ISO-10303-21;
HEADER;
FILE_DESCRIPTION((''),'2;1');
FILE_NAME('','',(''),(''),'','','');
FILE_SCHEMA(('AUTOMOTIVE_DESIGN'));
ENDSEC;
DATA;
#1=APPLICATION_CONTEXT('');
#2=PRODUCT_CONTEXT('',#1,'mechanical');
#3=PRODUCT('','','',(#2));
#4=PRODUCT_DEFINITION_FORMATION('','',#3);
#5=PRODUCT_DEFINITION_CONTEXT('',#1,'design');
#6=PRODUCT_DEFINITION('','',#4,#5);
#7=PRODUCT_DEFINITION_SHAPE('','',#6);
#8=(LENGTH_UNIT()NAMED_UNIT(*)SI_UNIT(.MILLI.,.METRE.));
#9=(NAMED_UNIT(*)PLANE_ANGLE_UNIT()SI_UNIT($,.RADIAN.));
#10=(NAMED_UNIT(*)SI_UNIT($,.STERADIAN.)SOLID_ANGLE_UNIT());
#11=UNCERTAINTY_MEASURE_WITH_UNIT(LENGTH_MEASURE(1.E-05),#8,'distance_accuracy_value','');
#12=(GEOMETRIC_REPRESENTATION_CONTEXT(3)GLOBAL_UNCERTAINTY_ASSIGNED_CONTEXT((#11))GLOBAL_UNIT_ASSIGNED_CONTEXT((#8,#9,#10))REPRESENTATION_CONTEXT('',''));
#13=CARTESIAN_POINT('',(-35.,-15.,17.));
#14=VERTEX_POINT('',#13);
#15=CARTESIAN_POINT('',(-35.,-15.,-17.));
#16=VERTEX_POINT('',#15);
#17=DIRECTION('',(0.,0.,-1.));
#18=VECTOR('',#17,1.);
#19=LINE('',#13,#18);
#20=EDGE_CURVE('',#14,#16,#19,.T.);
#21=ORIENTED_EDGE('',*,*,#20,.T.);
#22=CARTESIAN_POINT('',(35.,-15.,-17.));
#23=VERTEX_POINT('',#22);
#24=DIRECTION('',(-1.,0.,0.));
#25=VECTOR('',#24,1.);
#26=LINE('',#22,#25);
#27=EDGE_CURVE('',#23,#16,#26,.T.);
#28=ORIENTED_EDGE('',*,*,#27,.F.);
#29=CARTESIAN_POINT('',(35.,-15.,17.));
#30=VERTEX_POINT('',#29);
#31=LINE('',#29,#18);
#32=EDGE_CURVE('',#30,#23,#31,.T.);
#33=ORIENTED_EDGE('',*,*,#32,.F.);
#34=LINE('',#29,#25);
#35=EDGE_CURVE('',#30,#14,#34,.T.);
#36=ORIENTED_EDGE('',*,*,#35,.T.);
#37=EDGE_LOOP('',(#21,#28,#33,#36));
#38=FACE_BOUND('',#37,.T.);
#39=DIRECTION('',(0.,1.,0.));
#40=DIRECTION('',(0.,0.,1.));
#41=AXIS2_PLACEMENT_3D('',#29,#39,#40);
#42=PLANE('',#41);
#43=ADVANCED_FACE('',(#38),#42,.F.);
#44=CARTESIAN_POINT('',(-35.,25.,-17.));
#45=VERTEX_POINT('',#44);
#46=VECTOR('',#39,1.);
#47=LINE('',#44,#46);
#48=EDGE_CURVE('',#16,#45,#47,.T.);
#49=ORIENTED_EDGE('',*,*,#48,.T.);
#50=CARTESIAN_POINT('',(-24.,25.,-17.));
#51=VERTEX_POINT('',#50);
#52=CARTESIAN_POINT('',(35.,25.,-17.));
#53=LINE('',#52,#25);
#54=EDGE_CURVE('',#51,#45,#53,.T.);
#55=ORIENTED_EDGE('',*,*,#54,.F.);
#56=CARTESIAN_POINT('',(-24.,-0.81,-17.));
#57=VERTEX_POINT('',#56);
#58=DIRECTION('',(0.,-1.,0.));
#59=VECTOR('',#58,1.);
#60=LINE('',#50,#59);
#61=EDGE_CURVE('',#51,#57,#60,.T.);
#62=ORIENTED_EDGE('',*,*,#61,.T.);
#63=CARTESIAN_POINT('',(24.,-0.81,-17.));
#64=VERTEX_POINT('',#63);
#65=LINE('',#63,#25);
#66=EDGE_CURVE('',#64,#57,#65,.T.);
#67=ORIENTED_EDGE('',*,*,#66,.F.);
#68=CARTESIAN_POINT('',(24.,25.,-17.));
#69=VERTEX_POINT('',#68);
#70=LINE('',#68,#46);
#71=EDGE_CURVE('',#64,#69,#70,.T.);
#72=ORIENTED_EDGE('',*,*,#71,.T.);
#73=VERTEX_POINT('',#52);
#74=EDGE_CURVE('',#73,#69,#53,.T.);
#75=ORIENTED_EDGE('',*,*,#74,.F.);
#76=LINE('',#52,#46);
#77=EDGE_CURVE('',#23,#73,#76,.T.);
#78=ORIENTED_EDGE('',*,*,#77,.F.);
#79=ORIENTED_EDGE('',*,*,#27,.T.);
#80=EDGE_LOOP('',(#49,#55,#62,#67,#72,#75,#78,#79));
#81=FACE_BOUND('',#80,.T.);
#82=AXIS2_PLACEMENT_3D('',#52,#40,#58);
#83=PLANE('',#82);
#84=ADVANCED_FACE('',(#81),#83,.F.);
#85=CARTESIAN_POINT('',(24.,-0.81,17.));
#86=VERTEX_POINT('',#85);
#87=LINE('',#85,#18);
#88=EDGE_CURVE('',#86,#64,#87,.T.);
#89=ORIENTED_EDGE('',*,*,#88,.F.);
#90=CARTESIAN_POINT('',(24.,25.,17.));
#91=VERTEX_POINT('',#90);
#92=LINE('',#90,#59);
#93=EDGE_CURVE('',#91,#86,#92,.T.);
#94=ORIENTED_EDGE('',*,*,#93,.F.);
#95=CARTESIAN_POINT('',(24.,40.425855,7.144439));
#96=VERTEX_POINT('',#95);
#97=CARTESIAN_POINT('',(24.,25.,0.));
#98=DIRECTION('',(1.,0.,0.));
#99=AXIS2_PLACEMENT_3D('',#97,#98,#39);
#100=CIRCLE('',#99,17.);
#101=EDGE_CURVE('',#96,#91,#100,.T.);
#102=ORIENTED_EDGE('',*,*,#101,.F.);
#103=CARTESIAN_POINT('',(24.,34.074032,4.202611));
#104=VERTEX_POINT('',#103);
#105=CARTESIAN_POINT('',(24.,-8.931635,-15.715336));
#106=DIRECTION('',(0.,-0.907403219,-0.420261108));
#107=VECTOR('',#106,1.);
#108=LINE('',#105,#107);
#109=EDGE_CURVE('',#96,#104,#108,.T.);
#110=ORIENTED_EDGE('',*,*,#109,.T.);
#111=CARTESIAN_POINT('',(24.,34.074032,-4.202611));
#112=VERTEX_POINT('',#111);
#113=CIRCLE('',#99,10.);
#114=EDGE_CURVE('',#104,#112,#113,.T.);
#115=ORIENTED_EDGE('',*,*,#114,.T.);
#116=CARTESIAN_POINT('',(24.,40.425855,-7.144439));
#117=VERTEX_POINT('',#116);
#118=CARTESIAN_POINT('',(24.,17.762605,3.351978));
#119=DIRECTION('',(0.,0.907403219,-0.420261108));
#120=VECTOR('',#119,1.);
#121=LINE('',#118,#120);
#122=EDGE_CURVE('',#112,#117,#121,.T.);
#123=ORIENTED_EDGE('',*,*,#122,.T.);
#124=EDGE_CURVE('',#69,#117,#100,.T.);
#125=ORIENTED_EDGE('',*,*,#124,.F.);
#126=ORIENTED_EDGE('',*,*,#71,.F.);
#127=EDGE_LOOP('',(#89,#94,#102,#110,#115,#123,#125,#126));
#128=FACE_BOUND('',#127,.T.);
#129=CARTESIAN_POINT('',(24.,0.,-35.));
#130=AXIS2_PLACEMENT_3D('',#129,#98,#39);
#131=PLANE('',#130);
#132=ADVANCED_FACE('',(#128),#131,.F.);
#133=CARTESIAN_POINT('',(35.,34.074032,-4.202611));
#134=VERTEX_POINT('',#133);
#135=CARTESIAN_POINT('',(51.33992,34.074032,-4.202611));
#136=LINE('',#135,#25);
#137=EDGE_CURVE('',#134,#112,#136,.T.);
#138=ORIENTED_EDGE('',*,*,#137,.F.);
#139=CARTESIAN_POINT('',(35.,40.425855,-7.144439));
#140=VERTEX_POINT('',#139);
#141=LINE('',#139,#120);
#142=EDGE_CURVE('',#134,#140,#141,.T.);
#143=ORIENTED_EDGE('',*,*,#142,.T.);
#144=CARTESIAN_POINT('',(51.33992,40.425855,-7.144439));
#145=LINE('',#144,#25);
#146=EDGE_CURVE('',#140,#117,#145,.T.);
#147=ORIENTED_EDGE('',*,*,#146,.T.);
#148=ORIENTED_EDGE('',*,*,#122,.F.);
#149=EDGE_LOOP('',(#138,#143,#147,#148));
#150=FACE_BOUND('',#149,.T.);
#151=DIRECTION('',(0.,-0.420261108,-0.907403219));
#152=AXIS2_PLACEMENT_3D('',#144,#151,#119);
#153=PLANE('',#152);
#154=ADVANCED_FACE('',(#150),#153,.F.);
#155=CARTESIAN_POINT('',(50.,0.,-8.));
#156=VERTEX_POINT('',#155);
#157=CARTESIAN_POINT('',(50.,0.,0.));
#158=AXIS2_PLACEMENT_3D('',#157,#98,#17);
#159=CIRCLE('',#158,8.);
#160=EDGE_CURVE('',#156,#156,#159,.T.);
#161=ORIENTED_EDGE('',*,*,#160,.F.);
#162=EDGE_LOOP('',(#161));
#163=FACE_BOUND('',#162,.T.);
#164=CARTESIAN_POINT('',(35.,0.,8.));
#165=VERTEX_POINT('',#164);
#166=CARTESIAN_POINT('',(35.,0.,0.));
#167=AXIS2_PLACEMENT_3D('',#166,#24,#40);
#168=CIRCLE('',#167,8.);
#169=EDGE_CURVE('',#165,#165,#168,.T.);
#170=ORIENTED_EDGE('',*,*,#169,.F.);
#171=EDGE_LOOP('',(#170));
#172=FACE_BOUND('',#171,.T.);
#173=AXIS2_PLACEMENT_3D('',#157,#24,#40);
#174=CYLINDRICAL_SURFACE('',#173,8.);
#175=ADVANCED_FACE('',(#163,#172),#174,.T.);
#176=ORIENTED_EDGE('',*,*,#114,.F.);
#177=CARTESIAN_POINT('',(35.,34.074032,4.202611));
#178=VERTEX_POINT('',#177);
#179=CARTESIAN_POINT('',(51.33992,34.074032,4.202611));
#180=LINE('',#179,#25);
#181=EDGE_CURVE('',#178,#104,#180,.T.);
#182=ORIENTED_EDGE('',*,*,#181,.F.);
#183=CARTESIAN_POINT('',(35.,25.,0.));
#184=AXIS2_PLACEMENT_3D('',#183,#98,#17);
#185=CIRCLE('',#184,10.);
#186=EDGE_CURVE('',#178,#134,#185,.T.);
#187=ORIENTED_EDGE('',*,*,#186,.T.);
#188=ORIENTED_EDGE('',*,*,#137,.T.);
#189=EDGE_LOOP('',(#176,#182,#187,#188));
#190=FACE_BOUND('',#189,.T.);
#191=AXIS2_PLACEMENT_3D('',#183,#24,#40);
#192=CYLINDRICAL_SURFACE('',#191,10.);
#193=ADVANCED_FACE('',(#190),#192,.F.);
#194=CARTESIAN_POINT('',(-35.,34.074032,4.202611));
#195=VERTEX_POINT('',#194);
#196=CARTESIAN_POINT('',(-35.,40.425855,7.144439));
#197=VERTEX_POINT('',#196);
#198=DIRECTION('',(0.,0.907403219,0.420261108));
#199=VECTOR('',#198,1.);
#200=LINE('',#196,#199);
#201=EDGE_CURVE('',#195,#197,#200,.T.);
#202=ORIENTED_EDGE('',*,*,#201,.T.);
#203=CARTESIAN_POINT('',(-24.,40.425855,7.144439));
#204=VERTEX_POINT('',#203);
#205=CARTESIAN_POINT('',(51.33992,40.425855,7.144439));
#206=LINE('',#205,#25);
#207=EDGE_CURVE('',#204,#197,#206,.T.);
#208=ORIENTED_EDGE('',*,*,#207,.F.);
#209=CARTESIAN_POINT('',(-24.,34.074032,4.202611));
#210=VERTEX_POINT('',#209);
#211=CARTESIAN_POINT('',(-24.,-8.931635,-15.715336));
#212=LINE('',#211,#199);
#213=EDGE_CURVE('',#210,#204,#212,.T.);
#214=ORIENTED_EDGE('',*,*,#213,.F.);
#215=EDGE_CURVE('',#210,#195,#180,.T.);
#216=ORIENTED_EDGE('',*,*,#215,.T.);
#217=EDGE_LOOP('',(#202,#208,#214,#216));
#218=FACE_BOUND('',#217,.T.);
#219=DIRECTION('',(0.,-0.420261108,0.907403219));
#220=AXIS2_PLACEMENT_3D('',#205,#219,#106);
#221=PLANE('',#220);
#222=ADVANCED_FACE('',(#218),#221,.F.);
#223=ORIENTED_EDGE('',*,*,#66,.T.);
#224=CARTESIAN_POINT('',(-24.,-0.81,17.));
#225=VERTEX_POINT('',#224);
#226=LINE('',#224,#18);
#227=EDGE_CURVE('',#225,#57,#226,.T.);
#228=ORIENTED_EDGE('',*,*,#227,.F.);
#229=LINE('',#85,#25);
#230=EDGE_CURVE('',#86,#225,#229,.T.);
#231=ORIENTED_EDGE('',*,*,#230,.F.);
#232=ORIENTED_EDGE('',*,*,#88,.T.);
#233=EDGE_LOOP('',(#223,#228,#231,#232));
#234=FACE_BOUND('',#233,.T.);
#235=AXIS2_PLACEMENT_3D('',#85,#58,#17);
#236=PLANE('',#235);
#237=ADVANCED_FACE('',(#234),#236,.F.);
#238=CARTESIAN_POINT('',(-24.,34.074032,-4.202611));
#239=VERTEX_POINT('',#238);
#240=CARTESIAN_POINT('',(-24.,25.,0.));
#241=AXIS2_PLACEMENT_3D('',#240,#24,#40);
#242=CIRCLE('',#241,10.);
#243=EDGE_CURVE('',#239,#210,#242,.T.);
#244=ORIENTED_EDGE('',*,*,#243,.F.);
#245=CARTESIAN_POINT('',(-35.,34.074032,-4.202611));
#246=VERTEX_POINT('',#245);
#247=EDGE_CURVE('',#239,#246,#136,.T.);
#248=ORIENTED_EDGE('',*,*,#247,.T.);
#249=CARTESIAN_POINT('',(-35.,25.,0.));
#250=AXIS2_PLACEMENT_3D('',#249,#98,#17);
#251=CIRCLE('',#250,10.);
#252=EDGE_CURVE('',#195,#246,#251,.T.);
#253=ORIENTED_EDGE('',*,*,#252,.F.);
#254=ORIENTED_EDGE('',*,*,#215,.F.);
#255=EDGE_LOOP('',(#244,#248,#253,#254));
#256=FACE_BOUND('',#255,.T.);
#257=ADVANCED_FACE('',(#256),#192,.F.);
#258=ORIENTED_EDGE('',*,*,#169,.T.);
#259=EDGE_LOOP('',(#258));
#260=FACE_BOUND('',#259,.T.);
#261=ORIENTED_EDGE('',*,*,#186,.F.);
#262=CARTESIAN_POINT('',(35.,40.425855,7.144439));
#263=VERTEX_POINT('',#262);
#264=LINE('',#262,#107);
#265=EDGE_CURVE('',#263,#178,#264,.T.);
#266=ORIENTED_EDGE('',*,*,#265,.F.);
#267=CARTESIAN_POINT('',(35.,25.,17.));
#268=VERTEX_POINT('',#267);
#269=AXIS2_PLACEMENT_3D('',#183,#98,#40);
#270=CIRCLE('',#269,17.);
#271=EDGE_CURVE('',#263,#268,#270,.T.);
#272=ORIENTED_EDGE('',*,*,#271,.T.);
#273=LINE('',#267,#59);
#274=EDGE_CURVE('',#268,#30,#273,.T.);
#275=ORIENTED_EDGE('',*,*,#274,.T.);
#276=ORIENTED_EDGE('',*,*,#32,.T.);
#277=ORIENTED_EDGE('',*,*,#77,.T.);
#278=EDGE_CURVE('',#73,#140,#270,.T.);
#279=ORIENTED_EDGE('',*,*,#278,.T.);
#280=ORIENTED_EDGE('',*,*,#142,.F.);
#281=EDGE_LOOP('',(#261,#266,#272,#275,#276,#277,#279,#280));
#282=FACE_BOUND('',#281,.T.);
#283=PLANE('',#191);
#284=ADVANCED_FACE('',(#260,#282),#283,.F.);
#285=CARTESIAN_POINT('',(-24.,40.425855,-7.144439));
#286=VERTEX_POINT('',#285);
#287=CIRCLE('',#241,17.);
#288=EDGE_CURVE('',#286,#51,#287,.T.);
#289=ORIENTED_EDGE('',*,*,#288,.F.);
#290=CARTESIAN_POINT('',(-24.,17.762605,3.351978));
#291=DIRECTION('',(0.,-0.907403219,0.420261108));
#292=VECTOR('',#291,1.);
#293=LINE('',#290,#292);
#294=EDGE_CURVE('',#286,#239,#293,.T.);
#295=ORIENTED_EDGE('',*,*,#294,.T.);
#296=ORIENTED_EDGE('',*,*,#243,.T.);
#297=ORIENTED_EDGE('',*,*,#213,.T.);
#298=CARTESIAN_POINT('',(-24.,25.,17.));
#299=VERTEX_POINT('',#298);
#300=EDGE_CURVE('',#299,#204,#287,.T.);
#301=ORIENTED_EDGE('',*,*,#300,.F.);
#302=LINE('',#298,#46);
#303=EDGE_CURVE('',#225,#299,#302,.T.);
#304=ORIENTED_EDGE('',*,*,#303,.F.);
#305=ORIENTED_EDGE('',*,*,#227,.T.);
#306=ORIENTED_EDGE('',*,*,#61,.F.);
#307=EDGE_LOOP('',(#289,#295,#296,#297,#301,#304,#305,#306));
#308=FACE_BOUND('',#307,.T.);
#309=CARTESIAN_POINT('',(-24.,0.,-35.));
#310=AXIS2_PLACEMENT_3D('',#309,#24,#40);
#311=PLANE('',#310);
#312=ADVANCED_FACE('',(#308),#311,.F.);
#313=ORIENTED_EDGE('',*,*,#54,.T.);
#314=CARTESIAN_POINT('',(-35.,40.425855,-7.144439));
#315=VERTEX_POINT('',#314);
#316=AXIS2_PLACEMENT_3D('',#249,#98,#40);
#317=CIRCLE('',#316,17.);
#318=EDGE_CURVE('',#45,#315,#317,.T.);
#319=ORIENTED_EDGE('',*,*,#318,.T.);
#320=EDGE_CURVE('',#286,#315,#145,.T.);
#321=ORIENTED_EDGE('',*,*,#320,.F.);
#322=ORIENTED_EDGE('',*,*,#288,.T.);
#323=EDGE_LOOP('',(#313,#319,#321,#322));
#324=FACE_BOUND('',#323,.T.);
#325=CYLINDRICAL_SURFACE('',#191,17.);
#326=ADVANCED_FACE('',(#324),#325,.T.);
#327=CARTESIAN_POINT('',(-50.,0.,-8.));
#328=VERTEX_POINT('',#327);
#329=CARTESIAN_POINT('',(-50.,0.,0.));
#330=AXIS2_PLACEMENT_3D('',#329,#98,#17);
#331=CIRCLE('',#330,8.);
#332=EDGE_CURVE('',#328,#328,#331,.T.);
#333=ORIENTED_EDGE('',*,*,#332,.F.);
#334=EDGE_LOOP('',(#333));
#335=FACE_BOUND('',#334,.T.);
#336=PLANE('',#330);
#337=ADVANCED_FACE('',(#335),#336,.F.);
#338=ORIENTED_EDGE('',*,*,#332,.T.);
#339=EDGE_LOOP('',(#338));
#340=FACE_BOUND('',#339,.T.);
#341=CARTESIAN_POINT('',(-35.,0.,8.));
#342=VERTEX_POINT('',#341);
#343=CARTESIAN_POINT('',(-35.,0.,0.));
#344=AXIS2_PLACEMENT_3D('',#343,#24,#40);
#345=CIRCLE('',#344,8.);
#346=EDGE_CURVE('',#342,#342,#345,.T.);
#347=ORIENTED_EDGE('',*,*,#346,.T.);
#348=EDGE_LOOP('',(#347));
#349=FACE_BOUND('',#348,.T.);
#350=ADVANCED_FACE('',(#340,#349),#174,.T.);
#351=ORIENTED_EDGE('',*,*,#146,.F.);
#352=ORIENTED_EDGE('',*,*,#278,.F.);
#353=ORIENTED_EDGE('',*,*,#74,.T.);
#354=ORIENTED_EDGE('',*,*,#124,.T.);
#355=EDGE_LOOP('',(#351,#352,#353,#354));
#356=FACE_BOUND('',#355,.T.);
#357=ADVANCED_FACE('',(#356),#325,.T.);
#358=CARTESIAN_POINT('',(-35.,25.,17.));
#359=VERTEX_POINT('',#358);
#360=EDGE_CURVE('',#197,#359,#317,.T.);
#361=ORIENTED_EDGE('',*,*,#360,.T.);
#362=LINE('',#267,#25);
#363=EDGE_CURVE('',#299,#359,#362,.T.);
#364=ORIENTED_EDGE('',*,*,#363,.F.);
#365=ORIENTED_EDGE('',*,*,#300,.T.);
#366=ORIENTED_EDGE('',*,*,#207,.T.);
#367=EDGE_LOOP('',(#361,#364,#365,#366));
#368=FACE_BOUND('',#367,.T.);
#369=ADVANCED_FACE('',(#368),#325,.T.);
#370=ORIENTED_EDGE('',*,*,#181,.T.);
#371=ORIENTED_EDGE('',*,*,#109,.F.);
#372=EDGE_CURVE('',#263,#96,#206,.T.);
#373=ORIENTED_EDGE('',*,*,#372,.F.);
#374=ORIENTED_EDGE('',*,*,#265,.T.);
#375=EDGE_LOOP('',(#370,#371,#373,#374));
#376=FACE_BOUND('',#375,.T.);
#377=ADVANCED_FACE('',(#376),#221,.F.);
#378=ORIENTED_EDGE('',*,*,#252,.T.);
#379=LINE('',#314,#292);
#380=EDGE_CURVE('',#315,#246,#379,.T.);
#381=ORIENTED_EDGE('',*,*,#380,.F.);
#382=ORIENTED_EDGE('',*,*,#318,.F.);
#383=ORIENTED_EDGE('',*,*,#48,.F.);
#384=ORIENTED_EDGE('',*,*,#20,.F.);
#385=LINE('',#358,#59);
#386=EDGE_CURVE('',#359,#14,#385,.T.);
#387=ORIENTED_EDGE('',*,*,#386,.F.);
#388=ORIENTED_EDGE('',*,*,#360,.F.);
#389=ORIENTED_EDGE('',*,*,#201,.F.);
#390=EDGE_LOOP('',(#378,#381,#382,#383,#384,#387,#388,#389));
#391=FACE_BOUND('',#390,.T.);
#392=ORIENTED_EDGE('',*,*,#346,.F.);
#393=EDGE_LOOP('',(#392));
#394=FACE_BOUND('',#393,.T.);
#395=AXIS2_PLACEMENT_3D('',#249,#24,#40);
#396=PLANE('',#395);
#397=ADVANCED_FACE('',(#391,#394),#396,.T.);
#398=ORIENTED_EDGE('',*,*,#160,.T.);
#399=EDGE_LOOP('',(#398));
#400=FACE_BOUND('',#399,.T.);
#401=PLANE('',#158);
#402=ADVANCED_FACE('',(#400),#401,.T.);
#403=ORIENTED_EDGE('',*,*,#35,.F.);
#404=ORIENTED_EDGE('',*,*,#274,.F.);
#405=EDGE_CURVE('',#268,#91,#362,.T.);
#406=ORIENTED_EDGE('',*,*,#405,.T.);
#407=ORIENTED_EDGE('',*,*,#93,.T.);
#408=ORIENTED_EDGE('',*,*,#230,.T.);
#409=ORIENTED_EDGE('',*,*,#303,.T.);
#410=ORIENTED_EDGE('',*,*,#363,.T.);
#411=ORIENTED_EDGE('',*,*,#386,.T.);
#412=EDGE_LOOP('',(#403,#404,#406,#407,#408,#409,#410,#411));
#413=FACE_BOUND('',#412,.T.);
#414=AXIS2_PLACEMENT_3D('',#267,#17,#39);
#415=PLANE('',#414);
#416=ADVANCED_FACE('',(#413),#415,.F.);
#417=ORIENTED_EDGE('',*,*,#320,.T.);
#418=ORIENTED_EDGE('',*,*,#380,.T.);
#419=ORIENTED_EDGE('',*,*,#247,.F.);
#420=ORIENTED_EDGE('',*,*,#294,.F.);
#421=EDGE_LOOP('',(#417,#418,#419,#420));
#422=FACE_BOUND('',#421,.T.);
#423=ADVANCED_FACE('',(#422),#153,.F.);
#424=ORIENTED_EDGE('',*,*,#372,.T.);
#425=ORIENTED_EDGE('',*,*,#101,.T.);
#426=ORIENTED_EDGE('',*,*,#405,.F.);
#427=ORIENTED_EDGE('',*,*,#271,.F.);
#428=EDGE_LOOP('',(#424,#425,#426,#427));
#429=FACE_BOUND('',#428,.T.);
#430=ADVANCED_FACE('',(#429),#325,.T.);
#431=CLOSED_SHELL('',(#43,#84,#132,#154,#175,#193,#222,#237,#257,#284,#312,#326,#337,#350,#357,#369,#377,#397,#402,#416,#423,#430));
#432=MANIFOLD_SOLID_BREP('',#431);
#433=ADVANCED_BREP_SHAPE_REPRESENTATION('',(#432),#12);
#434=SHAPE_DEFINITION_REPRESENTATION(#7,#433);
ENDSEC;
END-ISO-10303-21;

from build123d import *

# Parameters (mm, degrees)
SKETCH1_R           = 8
BOSS_EXTRUDE1_DEPTH = 50
SKETCH2_R           = 10
BOSS_EXTRUDE2_DEPTH = 35
SKETCH3_W           = 48
SKETCH3_H           = 42
CUT_EXTRUDE1_DEPTH  = 35
SKETCH4_W           = 48
SKETCH4_H           = 0.81
CUT_EXTRUDE2_DEPTH  = 74.620649277
CUT_EXTRUDE3_REACH  = 98.322


with BuildPart() as part:
    # Sketch1 → Boss-Extrude1 (new, symmetric)
    with BuildSketch(Plane(origin=(0, 0, 0), x_dir=(0, 0, -1), z_dir=(1, 0, 0))):
        Circle(SKETCH1_R)
    extrude(amount=BOSS_EXTRUDE1_DEPTH, both=True)

    # Sketch2 → Boss-Extrude2 (add, symmetric)
    with BuildSketch(Plane(origin=(0, 0, 0), x_dir=(0, 0, -1), z_dir=(1, 0, 0))):
        with BuildLine():
            Line((-17, 25), (-17, -15))
            Line((-17, -15), (17, -15))
            Line((17, -15), (17, 25))
            ThreePointArc((17, 25), (0, 42), (-17, 25))
        make_face()
        with Locations((0, 25)):
            Circle(SKETCH2_R, mode=Mode.SUBTRACT)
    extrude(amount=BOSS_EXTRUDE2_DEPTH, both=True)

    # Sketch3 → Cut-Extrude1 (cut, symmetric)
    with BuildSketch(Plane.XY):
        with Locations((0, 21)):
            Rectangle(SKETCH3_W, SKETCH3_H)
    extrude(amount=CUT_EXTRUDE1_DEPTH, both=True, mode=Mode.SUBTRACT)

    # Sketch4 → Cut-Extrude2 (cut, through all)
    with BuildSketch(Plane(origin=(0, 0, -17), x_dir=(-1, 0, 0), z_dir=(0, 0, -1))):
        with Locations((0, -0.405)):
            Rectangle(SKETCH4_W, SKETCH4_H)
    extrude(amount=-CUT_EXTRUDE2_DEPTH, mode=Mode.SUBTRACT)

    # Cut-Extrude3: up to this face of the body (flat: up to its plane)
    cut_extrude3_end = Plane(part.part.faces().sort_by_distance((35, 10.448870599, 0))[0])
    # Sketch5 → Cut-Extrude3 (cut, up to the picked face)
    with BuildSketch(Plane.ZY.offset(35), mode=Mode.PRIVATE) as cut_extrude3_sk1:
        with BuildLine():
            Line((-7.14443883, 40.425854719), (-4.202611077, 34.074032187))
            ThreePointArc((-4.202611077, 34.074032187), (0, 35), (4.202611077, 34.074032187))
            Line((4.202611077, 34.074032187), (7.14443883, 40.425854719))
            ThreePointArc((7.14443883, 40.425854719), (0, 42), (-7.14443883, 40.425854719))
        make_face()
    cut_extrude3_tool1 = split(extrude(cut_extrude3_sk1.sketch, amount=-CUT_EXTRUDE3_REACH, mode=Mode.PRIVATE), bisect_by=cut_extrude3_end, keep=Keep.BOTH, mode=Mode.PRIVATE)
    add(cut_extrude3_tool1.solids().sort_by(Axis((-35, 38.373758, 0), (1, 0, 0)))[0], mode=Mode.SUBTRACT)


solid = part.part
